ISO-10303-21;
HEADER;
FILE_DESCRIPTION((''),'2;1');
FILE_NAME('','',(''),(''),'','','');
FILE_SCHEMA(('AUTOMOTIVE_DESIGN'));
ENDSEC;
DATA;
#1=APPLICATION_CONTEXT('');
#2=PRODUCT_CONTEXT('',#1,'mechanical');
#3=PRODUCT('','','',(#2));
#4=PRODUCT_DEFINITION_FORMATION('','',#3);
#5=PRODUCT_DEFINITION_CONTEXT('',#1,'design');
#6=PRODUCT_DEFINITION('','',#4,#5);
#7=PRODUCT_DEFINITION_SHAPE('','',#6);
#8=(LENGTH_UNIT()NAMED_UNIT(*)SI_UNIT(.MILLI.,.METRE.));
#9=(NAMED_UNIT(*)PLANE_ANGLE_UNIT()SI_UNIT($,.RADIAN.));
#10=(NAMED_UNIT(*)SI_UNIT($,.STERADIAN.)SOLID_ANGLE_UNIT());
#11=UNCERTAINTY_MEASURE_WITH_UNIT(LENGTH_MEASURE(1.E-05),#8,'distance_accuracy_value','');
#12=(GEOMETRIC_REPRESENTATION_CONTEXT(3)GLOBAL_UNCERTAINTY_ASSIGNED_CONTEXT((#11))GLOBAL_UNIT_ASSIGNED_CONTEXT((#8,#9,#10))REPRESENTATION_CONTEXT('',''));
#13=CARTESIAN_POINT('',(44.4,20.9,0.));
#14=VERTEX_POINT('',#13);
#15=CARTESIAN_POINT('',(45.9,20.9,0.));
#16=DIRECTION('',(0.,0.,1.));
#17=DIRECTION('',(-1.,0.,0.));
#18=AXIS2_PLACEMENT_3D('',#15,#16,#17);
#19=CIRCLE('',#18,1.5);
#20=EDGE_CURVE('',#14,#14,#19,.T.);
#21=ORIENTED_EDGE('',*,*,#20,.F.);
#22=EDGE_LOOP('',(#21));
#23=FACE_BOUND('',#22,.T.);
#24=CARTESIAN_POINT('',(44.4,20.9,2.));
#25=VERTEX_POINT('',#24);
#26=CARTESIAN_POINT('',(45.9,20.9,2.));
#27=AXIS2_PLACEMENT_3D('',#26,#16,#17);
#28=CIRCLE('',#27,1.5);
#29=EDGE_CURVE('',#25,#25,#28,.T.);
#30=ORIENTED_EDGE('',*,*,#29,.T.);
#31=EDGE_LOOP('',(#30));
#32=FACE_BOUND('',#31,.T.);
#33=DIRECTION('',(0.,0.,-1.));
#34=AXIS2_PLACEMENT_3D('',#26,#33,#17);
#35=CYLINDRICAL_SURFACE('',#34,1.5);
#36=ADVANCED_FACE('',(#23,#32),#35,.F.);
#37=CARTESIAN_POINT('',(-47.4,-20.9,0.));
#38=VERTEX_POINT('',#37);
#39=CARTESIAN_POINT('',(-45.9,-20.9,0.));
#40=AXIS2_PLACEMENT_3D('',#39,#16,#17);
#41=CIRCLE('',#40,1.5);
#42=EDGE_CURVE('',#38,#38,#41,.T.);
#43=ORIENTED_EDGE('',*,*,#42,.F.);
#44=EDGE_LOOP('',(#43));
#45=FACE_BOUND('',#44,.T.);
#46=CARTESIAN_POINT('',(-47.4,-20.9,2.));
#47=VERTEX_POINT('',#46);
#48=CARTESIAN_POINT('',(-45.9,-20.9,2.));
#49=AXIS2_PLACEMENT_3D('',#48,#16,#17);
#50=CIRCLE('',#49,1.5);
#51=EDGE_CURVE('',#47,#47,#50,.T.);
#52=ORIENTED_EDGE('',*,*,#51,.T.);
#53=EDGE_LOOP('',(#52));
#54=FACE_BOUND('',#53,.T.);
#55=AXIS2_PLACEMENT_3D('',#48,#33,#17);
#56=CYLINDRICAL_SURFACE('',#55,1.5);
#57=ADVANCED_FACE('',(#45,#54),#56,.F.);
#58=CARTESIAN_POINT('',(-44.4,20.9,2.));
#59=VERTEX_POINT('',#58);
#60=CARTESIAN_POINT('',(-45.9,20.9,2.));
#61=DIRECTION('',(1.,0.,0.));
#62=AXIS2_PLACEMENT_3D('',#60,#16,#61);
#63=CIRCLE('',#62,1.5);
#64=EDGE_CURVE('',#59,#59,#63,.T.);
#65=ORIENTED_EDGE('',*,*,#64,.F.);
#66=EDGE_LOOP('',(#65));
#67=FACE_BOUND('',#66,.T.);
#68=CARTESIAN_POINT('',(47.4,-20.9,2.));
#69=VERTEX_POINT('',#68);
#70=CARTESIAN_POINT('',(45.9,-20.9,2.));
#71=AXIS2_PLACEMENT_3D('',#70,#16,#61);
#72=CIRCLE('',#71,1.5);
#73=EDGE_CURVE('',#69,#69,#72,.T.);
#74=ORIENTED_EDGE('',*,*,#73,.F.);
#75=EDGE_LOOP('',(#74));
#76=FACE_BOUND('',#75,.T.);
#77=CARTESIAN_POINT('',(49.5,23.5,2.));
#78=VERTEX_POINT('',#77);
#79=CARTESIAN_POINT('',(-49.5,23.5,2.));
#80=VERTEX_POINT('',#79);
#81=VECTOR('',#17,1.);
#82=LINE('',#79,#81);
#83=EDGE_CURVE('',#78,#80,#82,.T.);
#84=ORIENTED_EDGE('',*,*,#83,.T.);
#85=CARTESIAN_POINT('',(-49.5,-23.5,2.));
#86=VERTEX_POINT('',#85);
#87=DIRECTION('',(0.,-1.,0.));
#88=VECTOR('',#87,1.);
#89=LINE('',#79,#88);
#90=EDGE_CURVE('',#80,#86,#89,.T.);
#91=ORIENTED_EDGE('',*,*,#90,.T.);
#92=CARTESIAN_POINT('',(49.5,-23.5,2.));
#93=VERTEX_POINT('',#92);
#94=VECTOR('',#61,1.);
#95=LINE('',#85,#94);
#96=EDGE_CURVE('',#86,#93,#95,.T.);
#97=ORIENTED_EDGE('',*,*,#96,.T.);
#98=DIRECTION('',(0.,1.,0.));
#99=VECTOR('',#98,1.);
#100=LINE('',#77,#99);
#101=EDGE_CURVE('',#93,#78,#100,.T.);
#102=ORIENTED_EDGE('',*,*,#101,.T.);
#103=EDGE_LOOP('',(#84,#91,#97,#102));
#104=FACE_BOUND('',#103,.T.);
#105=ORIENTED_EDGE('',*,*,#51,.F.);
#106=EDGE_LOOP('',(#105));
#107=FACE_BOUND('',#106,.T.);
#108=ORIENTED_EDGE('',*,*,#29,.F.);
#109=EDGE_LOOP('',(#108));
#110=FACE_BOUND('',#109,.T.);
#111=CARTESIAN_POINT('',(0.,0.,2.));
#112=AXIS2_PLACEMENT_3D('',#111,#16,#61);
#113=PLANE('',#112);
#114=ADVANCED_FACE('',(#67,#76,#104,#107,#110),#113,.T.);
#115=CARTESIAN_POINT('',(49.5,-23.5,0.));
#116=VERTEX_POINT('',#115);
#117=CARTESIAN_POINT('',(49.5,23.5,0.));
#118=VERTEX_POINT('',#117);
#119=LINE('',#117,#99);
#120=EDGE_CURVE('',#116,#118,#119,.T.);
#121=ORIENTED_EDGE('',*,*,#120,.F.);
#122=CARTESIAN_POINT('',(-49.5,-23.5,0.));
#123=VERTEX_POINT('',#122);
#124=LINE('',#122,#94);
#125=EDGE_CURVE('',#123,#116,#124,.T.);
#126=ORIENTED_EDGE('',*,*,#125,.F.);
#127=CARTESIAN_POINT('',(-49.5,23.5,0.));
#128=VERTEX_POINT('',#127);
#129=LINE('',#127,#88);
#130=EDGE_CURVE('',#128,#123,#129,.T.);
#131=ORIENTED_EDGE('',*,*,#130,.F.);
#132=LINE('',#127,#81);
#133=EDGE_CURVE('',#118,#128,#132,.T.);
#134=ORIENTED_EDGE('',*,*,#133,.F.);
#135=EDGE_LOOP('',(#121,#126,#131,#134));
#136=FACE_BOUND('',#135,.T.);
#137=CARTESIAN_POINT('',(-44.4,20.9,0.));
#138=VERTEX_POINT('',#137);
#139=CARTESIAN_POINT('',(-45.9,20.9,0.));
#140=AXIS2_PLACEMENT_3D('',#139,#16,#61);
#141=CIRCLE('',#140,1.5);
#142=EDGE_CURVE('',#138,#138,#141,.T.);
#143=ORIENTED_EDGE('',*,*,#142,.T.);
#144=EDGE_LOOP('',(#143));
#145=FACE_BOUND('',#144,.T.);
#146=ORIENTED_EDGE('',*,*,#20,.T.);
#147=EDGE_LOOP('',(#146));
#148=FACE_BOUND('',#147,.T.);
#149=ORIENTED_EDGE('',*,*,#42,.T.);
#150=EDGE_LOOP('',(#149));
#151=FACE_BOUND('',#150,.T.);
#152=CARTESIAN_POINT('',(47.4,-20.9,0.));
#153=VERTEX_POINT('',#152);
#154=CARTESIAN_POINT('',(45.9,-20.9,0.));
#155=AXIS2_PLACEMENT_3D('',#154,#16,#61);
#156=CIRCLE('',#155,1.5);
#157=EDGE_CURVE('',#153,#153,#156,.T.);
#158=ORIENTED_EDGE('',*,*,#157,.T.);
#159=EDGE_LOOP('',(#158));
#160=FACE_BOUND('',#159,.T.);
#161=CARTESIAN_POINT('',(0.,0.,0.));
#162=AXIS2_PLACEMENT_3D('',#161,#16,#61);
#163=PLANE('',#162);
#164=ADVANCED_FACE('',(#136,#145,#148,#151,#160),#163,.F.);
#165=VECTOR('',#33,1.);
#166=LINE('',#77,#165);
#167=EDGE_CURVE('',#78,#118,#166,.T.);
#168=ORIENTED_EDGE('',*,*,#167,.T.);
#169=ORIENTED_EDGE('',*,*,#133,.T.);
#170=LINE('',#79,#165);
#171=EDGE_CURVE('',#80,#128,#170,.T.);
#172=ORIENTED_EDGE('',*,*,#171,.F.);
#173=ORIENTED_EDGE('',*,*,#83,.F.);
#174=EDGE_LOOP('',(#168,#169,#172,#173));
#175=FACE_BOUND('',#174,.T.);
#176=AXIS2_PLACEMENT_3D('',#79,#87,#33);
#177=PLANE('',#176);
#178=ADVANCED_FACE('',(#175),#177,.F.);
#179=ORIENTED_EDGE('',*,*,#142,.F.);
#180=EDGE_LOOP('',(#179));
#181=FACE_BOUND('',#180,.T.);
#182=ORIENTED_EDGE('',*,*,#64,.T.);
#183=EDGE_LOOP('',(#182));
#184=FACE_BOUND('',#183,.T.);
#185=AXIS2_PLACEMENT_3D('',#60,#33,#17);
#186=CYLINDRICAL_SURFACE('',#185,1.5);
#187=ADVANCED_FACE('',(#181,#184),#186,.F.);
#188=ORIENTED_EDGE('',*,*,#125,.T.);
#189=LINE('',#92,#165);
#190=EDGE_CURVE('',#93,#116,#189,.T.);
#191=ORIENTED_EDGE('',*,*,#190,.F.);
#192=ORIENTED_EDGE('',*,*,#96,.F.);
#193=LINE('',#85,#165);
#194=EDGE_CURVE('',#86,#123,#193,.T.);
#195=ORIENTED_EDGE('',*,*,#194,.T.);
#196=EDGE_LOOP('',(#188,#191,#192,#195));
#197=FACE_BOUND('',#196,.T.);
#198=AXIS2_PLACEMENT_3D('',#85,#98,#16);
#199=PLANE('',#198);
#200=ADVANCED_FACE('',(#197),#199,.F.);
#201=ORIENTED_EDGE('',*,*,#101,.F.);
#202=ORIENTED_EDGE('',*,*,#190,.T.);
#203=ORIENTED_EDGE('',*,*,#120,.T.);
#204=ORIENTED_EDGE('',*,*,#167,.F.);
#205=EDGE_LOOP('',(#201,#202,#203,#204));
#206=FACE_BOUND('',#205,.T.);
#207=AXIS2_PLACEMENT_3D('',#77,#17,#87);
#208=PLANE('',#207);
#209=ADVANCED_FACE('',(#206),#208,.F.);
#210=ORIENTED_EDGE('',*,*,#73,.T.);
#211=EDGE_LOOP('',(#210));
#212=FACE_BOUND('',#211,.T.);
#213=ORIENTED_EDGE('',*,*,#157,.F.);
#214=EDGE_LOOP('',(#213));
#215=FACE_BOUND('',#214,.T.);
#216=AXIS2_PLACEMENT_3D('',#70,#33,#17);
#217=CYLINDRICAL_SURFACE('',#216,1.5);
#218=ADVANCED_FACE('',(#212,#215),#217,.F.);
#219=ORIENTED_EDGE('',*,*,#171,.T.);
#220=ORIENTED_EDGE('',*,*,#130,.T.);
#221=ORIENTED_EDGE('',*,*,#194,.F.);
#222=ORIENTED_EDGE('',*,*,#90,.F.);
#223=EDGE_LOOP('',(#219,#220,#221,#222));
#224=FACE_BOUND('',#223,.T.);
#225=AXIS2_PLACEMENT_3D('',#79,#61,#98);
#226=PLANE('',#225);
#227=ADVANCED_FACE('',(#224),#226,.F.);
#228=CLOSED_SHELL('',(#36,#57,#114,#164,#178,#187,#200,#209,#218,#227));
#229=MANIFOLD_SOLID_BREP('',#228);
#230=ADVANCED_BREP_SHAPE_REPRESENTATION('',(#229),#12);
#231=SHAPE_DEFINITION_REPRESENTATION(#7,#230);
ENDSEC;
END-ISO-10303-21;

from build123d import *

# Parameters (mm, degrees)
SKETCH_1_W      = 99
SKETCH_1_H      = 47
SKETCH_1_R      = 1.5
EXTRUDE_1_DEPTH = 2


with BuildPart() as part:
    # Эскиз1 → Бобышка-Вытянуть1 (new body)
    with BuildSketch(Plane.XY):
        Rectangle(SKETCH_1_W, SKETCH_1_H)
        with Locations((-45.9, 20.9)):
            Circle(SKETCH_1_R, mode=Mode.SUBTRACT)
        with Locations(Location((45.9, 20.9, 0), (0, 0, 180))):
            Circle(SKETCH_1_R, mode=Mode.SUBTRACT)
        with Locations(Location((-45.9, -20.9, 0), (0, 0, 180))):
            Circle(SKETCH_1_R, mode=Mode.SUBTRACT)
        with Locations((45.9, -20.9)):
            Circle(SKETCH_1_R, mode=Mode.SUBTRACT)
    extrude(amount=EXTRUDE_1_DEPTH)


solid = part.part
